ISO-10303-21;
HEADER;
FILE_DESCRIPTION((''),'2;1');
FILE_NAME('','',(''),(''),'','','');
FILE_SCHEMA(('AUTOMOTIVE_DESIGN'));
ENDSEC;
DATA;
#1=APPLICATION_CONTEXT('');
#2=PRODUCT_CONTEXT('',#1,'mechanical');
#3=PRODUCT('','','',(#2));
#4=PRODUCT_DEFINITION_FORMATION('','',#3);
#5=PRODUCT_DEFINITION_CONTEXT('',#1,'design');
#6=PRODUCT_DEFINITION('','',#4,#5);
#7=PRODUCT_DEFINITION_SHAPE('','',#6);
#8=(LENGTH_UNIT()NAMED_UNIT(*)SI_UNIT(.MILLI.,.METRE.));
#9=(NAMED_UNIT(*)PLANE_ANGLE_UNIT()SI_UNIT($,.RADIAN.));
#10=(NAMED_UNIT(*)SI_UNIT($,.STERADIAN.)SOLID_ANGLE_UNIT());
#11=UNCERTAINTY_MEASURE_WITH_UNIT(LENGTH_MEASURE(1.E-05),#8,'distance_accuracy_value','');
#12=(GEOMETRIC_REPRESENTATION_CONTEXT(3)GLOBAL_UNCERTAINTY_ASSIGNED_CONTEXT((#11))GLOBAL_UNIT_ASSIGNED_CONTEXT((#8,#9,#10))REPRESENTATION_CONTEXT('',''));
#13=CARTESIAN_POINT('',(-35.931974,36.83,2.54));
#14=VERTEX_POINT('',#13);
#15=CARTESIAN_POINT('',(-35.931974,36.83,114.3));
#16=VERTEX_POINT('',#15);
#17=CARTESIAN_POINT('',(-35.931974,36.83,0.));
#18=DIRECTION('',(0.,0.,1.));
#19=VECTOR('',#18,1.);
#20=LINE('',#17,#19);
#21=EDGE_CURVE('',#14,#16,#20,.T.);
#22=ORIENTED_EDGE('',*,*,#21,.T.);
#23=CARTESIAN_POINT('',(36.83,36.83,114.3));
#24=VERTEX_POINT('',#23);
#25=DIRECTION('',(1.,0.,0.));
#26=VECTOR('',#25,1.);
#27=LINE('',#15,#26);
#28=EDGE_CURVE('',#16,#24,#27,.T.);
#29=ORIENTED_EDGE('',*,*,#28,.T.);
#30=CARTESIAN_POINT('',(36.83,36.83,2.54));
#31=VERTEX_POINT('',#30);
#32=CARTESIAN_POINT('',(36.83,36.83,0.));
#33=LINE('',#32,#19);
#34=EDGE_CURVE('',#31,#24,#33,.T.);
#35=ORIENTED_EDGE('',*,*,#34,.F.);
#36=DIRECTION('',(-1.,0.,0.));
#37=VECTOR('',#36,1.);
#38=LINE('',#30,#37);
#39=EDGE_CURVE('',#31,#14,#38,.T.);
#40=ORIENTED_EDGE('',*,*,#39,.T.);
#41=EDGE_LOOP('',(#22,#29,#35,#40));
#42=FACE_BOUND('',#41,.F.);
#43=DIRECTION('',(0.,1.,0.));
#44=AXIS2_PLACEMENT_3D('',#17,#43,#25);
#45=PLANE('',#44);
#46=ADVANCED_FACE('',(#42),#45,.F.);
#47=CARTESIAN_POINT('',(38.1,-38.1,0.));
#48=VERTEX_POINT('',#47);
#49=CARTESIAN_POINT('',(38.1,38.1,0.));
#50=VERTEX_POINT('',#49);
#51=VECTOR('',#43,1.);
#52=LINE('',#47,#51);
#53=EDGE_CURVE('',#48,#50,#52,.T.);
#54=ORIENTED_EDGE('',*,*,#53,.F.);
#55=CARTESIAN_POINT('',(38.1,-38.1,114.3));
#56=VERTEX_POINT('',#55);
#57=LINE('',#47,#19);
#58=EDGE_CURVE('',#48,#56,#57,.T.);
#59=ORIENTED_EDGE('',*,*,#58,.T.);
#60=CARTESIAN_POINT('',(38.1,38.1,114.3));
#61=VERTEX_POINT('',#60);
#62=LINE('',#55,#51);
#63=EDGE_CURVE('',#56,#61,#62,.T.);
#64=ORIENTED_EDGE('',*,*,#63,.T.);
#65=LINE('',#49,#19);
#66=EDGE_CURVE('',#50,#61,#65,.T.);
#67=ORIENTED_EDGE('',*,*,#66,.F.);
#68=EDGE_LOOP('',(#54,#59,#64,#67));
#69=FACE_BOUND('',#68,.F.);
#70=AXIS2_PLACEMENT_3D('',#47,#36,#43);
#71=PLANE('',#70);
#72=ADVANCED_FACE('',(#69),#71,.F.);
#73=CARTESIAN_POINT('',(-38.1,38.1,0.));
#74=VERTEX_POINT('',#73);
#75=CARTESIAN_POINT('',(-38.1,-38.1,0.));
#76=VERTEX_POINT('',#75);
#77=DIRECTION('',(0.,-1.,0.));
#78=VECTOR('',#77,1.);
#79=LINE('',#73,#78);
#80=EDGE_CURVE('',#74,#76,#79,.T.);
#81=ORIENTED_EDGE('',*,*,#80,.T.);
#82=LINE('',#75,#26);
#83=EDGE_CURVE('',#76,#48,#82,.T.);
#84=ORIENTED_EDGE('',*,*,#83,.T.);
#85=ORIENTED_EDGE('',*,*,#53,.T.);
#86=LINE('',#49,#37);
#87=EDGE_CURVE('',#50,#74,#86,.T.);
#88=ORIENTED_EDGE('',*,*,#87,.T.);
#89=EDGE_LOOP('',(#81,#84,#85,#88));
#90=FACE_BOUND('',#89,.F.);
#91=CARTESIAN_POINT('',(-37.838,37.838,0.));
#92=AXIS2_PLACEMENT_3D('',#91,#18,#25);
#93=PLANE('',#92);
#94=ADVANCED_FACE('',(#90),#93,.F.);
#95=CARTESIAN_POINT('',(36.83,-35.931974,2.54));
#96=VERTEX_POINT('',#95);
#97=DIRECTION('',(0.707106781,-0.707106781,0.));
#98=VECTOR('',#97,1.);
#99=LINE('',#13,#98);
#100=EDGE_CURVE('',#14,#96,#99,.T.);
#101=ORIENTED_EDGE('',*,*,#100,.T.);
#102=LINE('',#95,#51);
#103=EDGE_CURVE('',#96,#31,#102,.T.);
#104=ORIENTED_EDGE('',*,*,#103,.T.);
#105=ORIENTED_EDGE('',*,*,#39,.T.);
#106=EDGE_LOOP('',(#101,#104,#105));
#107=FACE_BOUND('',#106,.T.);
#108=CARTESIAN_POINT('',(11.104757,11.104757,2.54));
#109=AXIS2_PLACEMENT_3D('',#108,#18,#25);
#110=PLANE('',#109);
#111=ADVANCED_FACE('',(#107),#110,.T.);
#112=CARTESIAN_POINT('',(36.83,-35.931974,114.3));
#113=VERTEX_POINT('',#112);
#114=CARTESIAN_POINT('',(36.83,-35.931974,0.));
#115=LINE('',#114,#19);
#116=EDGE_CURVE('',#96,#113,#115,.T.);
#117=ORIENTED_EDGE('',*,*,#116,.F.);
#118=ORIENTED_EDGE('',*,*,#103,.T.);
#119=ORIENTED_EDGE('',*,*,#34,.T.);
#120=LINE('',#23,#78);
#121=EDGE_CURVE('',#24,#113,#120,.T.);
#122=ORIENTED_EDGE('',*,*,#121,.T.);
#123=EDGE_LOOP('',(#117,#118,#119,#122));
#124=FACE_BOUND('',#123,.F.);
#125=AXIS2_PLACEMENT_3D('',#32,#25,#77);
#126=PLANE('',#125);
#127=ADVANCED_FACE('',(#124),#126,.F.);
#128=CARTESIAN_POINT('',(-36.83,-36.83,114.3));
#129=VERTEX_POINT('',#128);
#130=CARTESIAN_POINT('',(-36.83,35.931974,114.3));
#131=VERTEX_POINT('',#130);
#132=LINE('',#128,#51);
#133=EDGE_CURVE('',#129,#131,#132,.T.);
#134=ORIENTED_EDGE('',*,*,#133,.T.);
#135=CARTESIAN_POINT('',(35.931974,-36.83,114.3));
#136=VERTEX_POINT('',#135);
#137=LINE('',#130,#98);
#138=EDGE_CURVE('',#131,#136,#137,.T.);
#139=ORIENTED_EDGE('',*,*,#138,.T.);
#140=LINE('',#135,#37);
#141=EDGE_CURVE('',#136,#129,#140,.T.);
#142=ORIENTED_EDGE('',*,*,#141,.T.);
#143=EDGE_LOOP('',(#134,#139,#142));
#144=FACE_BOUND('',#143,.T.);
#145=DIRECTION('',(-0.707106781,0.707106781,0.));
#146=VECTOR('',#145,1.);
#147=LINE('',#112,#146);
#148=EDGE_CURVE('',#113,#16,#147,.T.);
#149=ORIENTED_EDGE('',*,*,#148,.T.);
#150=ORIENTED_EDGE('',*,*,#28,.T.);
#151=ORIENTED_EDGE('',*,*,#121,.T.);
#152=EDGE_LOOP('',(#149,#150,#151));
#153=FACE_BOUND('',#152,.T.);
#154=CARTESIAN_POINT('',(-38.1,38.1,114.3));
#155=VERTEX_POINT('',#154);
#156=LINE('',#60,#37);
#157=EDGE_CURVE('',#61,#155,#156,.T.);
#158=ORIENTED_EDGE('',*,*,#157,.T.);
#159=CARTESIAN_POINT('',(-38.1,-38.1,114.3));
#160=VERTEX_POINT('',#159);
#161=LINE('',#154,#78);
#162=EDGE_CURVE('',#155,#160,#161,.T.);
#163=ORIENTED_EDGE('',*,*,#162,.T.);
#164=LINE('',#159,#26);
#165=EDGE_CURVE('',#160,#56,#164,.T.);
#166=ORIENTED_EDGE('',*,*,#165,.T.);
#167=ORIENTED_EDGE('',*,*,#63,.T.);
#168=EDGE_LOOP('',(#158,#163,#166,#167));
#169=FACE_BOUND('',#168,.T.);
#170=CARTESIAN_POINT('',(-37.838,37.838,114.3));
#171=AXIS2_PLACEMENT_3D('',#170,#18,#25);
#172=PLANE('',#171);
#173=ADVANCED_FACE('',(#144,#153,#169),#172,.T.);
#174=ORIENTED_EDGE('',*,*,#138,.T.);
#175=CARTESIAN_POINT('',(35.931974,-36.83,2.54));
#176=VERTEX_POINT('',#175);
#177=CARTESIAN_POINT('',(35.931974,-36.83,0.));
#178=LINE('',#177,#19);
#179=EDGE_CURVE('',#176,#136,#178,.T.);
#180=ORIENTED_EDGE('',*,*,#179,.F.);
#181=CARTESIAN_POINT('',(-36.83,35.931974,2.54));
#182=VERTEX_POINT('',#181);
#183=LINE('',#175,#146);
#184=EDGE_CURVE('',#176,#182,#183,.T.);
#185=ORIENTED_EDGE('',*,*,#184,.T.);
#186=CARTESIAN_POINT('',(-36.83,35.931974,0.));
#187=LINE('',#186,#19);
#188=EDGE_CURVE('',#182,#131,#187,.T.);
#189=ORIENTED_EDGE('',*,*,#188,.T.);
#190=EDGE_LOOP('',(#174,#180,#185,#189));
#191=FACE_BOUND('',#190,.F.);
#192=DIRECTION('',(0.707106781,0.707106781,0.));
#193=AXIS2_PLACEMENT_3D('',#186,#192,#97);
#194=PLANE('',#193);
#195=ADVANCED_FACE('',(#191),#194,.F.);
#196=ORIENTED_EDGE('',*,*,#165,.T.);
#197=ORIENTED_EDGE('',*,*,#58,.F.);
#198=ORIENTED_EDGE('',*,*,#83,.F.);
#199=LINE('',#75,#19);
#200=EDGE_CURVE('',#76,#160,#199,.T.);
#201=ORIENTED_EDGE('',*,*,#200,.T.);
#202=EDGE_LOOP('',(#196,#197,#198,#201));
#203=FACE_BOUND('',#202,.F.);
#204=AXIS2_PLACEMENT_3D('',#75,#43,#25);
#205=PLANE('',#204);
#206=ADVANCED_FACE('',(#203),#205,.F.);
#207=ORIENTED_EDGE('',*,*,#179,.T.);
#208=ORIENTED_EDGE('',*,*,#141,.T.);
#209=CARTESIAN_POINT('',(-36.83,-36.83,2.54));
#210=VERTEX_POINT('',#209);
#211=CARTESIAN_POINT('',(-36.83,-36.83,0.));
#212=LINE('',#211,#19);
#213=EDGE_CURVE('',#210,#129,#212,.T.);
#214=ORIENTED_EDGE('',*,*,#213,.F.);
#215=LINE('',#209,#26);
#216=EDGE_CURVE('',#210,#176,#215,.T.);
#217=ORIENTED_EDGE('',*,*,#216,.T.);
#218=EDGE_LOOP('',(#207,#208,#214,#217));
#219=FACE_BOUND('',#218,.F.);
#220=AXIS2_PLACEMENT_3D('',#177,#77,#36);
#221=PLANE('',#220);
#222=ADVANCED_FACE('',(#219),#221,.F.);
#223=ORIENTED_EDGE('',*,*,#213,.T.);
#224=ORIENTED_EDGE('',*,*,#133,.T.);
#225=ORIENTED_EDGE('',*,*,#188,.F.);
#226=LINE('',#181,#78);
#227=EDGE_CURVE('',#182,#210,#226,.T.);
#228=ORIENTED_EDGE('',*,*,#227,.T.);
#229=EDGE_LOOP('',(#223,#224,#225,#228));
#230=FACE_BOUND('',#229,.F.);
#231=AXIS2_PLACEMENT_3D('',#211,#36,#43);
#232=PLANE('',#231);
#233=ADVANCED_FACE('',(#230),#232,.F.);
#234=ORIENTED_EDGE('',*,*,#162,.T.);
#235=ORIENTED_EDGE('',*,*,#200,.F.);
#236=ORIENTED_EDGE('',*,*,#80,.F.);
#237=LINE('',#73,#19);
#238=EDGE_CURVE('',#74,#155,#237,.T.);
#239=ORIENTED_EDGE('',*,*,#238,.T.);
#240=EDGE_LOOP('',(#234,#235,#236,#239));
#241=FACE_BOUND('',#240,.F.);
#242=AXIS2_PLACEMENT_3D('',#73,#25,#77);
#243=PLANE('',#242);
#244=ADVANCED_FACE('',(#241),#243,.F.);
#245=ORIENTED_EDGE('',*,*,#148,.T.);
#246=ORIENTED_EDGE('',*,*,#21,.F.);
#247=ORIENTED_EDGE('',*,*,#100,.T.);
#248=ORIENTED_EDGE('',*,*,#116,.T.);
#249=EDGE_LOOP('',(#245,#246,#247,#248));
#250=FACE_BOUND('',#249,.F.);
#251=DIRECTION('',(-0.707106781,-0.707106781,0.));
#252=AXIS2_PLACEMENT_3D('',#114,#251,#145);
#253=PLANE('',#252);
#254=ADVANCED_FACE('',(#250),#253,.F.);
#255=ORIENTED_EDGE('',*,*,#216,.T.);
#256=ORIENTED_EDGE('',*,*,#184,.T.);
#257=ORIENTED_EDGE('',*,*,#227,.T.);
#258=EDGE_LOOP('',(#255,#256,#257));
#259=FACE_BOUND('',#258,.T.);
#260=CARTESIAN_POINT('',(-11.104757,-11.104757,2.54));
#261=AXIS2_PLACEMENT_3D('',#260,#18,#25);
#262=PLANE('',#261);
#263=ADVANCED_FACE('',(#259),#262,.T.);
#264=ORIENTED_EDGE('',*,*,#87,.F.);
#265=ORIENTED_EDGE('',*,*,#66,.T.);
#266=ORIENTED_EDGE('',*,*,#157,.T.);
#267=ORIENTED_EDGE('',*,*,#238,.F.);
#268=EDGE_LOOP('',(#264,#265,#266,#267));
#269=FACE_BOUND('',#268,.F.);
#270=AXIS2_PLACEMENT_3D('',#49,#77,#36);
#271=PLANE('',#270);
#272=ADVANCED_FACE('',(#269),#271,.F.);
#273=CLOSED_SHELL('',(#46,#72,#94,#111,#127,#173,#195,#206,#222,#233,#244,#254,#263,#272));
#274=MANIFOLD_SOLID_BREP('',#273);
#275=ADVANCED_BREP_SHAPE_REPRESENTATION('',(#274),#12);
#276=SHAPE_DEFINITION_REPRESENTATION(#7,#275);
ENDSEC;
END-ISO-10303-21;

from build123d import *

# Parameters (mm, degrees)
F1_DEPTH = 2.54
F2_DEPTH = 114.3


with BuildPart() as f1:
    # F0 (on Top) → F1 (new body)
    with BuildSketch(Plane.XY):
        Polygon((35.9319743879, -36.83), (-36.83, 35.9319743879), (-36.83, -36.83), align=None)
    extrude(amount=F1_DEPTH)



with BuildPart() as f1b:
    # F0 (on Top) → F1, piece 2 (new body)
    with BuildSketch(Plane.XY):
        Polygon((36.83, 36.83), (-35.9319743879, 36.83), (36.83, -35.9319743879), align=None)
    extrude(amount=F1_DEPTH)


with BuildPart() as f1_1:
    add(f1.part)

    add(f1b.part)  # F2 merges F1b
    # F0 (on Top) → F2 (join)
    with BuildSketch(Plane.XY):
        with BuildLine():
            Line((-37.465, 38.1), (-38.1, 38.1))
            Line((-38.1, 38.1), (-38.1, 37.465))
            ThreePointArc((-38.1, 37.465), (-37.6509871939, 37.6509871939), (-37.465, 38.1))
        make_face()
        with BuildLine():
            Line((-37.2019743879, 38.1), (-37.465, 38.1))
            ThreePointArc((-37.465, 38.1), (-37.6509871939, 37.6509871939), (-38.1, 37.465))
            Line((-38.1, 37.465), (-38.1, 37.2019743879))
            Line((-38.1, 37.2019743879), (-36.83, 35.9319743879))
            Line((-36.83, 35.9319743879), (-36.83, 36.83))
            Line((-36.83, 36.83), (-35.9319743879, 36.83))
            Line((-35.9319743879, 36.83), (-37.2019743879, 38.1))
        make_face()
        Polygon((-36.83, 35.9319743879), (-38.1, 37.2019743879), (-38.1, -38.1), (37.2019743879, -38.1), (35.9319743879, -36.83), (-36.83, -36.83), align=None)
        Polygon((36.83, -35.9319743879), (-35.9319743879, 36.83), (-36.83, 36.83), (-36.83, 35.9319743879), (35.9319743879, -36.83), (36.83, -36.83), align=None)
        Polygon((38.1, 38.1), (-37.2019743879, 38.1), (-35.9319743879, 36.83), (36.83, 36.83), (36.83, -35.9319743879), (38.1, -37.2019743879), align=None)
        with BuildLine():
            Line((38.1, -37.465), (38.1, -37.2019743879))
            Line((38.1, -37.2019743879), (36.83, -35.9319743879))
            Line((36.83, -35.9319743879), (36.83, -36.83))
            Line((36.83, -36.83), (35.9319743879, -36.83))
            Line((35.9319743879, -36.83), (37.2019743879, -38.1))
            Line((37.2019743879, -38.1), (37.465, -38.1))
            ThreePointArc((37.465, -38.1), (37.6509871939, -37.6509871939), (38.1, -37.465))
        make_face()
        with BuildLine():
            Line((38.1, -38.1), (38.1, -37.465))
            ThreePointArc((38.1, -37.465), (37.6509871939, -37.6509871939), (37.465, -38.1))
            Line((37.465, -38.1), (38.1, -38.1))
        make_face()
    extrude(amount=F2_DEPTH)


solid = f1_1.part
